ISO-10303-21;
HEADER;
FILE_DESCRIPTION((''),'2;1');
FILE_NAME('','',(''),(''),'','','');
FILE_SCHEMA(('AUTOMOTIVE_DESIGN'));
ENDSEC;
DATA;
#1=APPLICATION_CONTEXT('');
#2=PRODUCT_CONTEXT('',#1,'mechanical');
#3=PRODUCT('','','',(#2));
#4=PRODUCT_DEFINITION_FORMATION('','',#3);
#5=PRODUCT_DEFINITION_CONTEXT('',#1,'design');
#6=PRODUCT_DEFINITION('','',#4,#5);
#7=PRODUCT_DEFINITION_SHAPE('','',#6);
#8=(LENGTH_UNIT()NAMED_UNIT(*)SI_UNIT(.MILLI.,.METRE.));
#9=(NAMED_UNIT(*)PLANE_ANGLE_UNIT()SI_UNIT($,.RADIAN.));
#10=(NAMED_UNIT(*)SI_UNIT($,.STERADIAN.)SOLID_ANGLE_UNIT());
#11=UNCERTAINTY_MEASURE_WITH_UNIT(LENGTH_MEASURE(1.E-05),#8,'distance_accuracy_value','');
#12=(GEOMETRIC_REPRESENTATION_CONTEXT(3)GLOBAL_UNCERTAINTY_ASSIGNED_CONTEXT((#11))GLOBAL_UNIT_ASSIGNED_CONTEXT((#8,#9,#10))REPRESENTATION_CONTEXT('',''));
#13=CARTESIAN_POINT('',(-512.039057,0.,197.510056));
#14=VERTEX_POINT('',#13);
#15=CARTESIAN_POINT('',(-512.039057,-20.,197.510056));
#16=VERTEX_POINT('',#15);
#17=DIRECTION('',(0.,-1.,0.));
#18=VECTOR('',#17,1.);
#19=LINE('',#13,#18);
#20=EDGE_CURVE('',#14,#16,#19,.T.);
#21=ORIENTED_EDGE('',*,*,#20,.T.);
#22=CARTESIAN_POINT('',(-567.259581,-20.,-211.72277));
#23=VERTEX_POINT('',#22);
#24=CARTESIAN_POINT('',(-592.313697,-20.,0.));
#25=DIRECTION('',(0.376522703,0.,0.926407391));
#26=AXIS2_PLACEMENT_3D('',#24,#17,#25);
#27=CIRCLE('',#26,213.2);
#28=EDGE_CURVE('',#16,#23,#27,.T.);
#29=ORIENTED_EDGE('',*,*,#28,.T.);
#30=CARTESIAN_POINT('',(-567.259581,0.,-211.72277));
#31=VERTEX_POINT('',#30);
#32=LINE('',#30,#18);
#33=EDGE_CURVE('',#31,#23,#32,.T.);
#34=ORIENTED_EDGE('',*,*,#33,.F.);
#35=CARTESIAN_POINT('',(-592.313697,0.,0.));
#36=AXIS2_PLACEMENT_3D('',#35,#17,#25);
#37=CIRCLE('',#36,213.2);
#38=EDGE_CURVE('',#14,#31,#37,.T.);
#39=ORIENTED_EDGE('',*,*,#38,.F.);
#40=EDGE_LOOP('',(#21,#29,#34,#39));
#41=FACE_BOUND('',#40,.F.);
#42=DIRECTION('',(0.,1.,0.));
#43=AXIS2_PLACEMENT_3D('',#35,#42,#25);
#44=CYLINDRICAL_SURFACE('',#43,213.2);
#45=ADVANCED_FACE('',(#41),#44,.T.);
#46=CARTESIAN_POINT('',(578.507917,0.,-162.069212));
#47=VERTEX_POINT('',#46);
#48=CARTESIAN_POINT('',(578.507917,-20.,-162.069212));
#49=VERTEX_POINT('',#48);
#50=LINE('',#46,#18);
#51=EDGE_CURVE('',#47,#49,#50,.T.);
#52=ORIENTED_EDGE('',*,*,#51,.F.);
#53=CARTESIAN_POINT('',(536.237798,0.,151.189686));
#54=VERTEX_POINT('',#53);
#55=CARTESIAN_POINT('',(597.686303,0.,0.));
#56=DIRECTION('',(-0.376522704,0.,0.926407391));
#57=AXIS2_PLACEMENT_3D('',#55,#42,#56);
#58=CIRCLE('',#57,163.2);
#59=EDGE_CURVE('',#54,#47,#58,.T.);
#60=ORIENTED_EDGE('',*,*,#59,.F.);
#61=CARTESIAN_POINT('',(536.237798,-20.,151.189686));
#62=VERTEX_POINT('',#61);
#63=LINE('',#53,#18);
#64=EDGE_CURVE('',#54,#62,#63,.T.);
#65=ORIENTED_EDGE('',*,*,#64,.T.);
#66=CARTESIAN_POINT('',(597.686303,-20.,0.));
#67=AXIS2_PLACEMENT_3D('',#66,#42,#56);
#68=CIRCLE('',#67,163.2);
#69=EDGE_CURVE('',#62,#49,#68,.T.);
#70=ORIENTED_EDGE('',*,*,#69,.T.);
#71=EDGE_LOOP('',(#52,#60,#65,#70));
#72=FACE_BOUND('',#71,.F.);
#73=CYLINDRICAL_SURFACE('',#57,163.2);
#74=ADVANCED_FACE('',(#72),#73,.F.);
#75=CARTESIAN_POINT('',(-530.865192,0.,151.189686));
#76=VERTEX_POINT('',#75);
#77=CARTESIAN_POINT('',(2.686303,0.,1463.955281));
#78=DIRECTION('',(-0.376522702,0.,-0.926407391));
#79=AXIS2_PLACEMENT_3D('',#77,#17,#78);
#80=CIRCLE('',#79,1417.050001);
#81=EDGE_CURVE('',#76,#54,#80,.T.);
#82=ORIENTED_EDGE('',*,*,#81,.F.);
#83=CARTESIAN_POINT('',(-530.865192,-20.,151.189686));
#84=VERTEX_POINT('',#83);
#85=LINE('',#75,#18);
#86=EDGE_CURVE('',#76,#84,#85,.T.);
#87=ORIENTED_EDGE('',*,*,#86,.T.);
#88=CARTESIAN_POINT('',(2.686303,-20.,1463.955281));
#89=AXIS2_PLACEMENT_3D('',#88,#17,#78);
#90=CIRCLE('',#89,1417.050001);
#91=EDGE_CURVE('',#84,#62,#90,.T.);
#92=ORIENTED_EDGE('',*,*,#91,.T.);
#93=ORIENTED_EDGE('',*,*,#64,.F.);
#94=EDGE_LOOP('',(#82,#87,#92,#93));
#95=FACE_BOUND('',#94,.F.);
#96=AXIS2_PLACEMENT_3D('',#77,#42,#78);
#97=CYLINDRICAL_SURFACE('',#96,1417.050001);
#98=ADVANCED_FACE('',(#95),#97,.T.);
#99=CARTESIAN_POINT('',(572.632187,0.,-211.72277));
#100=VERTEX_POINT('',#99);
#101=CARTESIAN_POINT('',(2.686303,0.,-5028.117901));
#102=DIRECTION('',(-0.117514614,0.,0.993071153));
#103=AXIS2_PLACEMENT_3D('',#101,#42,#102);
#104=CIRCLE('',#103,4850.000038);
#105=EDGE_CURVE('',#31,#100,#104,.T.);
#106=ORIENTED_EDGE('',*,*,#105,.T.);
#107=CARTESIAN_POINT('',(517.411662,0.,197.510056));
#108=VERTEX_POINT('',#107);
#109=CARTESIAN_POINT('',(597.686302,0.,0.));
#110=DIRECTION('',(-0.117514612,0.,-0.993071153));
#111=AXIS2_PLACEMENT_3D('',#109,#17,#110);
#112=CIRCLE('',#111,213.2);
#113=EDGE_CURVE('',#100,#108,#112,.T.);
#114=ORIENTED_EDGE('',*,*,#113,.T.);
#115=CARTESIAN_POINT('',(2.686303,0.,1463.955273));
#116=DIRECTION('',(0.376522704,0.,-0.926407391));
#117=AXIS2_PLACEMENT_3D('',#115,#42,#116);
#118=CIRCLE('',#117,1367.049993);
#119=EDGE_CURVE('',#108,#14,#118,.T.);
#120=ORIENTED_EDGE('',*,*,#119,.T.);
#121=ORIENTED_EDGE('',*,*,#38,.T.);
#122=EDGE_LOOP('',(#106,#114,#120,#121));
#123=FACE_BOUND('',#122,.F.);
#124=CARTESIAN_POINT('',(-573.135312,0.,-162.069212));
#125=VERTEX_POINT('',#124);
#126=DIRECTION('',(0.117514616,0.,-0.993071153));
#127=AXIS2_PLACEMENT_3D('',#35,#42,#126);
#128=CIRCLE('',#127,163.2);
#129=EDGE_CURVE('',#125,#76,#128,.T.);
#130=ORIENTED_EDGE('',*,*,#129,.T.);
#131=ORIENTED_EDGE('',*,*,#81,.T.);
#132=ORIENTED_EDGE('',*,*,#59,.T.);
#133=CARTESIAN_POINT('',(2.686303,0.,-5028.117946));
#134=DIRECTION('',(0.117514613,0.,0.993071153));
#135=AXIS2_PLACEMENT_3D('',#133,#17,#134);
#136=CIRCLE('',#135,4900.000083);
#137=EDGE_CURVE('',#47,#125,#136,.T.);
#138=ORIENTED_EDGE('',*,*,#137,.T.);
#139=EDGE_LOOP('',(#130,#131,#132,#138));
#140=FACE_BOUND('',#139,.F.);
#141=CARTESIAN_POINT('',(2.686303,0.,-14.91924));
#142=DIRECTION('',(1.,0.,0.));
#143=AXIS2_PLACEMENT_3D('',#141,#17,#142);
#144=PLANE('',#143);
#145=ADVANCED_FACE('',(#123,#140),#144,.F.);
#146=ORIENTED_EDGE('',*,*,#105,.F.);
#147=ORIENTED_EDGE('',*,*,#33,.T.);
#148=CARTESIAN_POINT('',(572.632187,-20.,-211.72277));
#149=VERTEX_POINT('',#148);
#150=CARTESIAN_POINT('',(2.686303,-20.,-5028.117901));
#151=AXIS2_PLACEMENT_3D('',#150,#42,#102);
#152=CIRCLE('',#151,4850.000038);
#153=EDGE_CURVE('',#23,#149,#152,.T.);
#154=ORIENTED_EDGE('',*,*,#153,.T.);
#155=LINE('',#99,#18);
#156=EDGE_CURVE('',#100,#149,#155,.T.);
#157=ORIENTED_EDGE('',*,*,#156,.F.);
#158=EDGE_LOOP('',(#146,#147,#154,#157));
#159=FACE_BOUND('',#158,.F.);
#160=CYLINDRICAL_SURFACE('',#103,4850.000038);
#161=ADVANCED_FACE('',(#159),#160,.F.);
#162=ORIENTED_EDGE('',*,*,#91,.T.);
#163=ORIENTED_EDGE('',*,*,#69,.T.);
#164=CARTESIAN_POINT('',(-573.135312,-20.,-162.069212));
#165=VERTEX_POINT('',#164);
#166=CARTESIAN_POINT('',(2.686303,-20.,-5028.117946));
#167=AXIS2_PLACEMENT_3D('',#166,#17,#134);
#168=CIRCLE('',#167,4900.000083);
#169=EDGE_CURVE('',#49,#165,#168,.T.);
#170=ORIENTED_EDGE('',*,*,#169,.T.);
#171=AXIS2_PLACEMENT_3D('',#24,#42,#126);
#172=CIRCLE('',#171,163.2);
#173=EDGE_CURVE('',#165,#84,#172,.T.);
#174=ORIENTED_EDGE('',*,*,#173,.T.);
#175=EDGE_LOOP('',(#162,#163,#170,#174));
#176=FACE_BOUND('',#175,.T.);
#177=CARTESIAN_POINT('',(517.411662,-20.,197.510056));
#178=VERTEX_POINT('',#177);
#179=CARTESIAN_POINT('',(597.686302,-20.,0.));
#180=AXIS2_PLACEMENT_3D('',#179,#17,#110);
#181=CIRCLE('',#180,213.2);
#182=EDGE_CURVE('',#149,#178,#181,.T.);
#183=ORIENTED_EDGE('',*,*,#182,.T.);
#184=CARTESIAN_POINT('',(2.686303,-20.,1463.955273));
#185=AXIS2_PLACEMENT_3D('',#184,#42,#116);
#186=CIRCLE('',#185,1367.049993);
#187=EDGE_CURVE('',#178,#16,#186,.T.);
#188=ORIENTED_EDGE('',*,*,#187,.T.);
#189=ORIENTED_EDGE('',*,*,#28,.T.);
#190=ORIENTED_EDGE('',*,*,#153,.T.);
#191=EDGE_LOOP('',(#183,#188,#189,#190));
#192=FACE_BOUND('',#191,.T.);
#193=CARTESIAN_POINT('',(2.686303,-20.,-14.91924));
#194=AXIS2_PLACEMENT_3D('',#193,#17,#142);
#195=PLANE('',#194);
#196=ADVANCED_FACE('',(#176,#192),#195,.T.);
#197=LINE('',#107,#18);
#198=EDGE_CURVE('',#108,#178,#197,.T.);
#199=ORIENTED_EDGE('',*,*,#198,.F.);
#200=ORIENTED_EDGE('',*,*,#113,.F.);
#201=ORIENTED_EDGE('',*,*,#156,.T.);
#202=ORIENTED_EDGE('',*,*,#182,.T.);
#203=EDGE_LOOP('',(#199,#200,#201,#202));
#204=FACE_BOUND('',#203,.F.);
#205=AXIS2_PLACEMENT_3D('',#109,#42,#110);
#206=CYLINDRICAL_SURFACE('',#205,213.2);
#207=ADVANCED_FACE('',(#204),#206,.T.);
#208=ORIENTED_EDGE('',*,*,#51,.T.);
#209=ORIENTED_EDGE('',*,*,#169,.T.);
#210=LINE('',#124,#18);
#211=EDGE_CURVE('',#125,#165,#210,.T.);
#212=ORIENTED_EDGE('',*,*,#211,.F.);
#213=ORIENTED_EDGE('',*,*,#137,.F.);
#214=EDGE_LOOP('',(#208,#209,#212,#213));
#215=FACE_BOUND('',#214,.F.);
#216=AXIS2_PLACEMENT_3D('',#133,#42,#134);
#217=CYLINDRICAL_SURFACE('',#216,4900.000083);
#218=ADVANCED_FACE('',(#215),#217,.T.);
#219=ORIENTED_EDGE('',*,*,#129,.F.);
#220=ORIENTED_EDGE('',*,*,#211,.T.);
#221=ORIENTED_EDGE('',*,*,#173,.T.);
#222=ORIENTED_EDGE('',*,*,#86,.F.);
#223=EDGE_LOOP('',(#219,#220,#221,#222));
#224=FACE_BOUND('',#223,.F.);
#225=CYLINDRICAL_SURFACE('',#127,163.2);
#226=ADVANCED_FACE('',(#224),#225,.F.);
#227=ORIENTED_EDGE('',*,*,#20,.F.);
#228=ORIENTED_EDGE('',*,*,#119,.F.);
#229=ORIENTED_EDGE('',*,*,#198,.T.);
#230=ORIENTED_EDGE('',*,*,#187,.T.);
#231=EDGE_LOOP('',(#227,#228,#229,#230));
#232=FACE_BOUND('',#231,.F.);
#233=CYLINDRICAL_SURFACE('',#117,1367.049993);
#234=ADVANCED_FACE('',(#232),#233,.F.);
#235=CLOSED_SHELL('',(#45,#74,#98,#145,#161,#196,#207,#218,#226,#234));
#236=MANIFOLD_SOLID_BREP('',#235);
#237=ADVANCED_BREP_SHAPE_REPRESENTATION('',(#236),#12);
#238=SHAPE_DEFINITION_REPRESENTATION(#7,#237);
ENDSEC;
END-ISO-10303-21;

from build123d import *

# Parameters (mm, degrees)
F1_DEPTH = 20


with BuildPart() as f1:
    # F0 (on Front) → F1 (new body)
    with BuildSketch(Plane.XZ):
        with BuildLine():
            ThreePointArc((517.411662, 197.510056), (2.686303, 96.90528), (-512.039057, 197.510056))
            ThreePointArc((-512.039057, 197.510056), (-803.598844, 28.510119), (-567.259581, -211.72277))
            ThreePointArc((-567.259581, -211.72277), (2.686303, -178.117863), (572.632187, -211.72277))
            ThreePointArc((572.632187, -211.72277), (808.971449, 28.510119), (517.411662, 197.510056))
        make_face()
        with BuildLine():
            ThreePointArc((-573.135312, -162.069212), (-754.047918, 21.823881), (-530.865192, 151.189686))
            ThreePointArc((-530.865192, 151.189686), (2.686303, 46.90528), (536.237798, 151.189686))
            ThreePointArc((536.237798, 151.189686), (759.420524, 21.823881), (578.507917, -162.069212))
            ThreePointArc((578.507917, -162.069212), (2.686303, -128.117863), (-573.135312, -162.069212))
        make_face(mode=Mode.SUBTRACT)
    extrude(amount=F1_DEPTH)


solid = f1.part
